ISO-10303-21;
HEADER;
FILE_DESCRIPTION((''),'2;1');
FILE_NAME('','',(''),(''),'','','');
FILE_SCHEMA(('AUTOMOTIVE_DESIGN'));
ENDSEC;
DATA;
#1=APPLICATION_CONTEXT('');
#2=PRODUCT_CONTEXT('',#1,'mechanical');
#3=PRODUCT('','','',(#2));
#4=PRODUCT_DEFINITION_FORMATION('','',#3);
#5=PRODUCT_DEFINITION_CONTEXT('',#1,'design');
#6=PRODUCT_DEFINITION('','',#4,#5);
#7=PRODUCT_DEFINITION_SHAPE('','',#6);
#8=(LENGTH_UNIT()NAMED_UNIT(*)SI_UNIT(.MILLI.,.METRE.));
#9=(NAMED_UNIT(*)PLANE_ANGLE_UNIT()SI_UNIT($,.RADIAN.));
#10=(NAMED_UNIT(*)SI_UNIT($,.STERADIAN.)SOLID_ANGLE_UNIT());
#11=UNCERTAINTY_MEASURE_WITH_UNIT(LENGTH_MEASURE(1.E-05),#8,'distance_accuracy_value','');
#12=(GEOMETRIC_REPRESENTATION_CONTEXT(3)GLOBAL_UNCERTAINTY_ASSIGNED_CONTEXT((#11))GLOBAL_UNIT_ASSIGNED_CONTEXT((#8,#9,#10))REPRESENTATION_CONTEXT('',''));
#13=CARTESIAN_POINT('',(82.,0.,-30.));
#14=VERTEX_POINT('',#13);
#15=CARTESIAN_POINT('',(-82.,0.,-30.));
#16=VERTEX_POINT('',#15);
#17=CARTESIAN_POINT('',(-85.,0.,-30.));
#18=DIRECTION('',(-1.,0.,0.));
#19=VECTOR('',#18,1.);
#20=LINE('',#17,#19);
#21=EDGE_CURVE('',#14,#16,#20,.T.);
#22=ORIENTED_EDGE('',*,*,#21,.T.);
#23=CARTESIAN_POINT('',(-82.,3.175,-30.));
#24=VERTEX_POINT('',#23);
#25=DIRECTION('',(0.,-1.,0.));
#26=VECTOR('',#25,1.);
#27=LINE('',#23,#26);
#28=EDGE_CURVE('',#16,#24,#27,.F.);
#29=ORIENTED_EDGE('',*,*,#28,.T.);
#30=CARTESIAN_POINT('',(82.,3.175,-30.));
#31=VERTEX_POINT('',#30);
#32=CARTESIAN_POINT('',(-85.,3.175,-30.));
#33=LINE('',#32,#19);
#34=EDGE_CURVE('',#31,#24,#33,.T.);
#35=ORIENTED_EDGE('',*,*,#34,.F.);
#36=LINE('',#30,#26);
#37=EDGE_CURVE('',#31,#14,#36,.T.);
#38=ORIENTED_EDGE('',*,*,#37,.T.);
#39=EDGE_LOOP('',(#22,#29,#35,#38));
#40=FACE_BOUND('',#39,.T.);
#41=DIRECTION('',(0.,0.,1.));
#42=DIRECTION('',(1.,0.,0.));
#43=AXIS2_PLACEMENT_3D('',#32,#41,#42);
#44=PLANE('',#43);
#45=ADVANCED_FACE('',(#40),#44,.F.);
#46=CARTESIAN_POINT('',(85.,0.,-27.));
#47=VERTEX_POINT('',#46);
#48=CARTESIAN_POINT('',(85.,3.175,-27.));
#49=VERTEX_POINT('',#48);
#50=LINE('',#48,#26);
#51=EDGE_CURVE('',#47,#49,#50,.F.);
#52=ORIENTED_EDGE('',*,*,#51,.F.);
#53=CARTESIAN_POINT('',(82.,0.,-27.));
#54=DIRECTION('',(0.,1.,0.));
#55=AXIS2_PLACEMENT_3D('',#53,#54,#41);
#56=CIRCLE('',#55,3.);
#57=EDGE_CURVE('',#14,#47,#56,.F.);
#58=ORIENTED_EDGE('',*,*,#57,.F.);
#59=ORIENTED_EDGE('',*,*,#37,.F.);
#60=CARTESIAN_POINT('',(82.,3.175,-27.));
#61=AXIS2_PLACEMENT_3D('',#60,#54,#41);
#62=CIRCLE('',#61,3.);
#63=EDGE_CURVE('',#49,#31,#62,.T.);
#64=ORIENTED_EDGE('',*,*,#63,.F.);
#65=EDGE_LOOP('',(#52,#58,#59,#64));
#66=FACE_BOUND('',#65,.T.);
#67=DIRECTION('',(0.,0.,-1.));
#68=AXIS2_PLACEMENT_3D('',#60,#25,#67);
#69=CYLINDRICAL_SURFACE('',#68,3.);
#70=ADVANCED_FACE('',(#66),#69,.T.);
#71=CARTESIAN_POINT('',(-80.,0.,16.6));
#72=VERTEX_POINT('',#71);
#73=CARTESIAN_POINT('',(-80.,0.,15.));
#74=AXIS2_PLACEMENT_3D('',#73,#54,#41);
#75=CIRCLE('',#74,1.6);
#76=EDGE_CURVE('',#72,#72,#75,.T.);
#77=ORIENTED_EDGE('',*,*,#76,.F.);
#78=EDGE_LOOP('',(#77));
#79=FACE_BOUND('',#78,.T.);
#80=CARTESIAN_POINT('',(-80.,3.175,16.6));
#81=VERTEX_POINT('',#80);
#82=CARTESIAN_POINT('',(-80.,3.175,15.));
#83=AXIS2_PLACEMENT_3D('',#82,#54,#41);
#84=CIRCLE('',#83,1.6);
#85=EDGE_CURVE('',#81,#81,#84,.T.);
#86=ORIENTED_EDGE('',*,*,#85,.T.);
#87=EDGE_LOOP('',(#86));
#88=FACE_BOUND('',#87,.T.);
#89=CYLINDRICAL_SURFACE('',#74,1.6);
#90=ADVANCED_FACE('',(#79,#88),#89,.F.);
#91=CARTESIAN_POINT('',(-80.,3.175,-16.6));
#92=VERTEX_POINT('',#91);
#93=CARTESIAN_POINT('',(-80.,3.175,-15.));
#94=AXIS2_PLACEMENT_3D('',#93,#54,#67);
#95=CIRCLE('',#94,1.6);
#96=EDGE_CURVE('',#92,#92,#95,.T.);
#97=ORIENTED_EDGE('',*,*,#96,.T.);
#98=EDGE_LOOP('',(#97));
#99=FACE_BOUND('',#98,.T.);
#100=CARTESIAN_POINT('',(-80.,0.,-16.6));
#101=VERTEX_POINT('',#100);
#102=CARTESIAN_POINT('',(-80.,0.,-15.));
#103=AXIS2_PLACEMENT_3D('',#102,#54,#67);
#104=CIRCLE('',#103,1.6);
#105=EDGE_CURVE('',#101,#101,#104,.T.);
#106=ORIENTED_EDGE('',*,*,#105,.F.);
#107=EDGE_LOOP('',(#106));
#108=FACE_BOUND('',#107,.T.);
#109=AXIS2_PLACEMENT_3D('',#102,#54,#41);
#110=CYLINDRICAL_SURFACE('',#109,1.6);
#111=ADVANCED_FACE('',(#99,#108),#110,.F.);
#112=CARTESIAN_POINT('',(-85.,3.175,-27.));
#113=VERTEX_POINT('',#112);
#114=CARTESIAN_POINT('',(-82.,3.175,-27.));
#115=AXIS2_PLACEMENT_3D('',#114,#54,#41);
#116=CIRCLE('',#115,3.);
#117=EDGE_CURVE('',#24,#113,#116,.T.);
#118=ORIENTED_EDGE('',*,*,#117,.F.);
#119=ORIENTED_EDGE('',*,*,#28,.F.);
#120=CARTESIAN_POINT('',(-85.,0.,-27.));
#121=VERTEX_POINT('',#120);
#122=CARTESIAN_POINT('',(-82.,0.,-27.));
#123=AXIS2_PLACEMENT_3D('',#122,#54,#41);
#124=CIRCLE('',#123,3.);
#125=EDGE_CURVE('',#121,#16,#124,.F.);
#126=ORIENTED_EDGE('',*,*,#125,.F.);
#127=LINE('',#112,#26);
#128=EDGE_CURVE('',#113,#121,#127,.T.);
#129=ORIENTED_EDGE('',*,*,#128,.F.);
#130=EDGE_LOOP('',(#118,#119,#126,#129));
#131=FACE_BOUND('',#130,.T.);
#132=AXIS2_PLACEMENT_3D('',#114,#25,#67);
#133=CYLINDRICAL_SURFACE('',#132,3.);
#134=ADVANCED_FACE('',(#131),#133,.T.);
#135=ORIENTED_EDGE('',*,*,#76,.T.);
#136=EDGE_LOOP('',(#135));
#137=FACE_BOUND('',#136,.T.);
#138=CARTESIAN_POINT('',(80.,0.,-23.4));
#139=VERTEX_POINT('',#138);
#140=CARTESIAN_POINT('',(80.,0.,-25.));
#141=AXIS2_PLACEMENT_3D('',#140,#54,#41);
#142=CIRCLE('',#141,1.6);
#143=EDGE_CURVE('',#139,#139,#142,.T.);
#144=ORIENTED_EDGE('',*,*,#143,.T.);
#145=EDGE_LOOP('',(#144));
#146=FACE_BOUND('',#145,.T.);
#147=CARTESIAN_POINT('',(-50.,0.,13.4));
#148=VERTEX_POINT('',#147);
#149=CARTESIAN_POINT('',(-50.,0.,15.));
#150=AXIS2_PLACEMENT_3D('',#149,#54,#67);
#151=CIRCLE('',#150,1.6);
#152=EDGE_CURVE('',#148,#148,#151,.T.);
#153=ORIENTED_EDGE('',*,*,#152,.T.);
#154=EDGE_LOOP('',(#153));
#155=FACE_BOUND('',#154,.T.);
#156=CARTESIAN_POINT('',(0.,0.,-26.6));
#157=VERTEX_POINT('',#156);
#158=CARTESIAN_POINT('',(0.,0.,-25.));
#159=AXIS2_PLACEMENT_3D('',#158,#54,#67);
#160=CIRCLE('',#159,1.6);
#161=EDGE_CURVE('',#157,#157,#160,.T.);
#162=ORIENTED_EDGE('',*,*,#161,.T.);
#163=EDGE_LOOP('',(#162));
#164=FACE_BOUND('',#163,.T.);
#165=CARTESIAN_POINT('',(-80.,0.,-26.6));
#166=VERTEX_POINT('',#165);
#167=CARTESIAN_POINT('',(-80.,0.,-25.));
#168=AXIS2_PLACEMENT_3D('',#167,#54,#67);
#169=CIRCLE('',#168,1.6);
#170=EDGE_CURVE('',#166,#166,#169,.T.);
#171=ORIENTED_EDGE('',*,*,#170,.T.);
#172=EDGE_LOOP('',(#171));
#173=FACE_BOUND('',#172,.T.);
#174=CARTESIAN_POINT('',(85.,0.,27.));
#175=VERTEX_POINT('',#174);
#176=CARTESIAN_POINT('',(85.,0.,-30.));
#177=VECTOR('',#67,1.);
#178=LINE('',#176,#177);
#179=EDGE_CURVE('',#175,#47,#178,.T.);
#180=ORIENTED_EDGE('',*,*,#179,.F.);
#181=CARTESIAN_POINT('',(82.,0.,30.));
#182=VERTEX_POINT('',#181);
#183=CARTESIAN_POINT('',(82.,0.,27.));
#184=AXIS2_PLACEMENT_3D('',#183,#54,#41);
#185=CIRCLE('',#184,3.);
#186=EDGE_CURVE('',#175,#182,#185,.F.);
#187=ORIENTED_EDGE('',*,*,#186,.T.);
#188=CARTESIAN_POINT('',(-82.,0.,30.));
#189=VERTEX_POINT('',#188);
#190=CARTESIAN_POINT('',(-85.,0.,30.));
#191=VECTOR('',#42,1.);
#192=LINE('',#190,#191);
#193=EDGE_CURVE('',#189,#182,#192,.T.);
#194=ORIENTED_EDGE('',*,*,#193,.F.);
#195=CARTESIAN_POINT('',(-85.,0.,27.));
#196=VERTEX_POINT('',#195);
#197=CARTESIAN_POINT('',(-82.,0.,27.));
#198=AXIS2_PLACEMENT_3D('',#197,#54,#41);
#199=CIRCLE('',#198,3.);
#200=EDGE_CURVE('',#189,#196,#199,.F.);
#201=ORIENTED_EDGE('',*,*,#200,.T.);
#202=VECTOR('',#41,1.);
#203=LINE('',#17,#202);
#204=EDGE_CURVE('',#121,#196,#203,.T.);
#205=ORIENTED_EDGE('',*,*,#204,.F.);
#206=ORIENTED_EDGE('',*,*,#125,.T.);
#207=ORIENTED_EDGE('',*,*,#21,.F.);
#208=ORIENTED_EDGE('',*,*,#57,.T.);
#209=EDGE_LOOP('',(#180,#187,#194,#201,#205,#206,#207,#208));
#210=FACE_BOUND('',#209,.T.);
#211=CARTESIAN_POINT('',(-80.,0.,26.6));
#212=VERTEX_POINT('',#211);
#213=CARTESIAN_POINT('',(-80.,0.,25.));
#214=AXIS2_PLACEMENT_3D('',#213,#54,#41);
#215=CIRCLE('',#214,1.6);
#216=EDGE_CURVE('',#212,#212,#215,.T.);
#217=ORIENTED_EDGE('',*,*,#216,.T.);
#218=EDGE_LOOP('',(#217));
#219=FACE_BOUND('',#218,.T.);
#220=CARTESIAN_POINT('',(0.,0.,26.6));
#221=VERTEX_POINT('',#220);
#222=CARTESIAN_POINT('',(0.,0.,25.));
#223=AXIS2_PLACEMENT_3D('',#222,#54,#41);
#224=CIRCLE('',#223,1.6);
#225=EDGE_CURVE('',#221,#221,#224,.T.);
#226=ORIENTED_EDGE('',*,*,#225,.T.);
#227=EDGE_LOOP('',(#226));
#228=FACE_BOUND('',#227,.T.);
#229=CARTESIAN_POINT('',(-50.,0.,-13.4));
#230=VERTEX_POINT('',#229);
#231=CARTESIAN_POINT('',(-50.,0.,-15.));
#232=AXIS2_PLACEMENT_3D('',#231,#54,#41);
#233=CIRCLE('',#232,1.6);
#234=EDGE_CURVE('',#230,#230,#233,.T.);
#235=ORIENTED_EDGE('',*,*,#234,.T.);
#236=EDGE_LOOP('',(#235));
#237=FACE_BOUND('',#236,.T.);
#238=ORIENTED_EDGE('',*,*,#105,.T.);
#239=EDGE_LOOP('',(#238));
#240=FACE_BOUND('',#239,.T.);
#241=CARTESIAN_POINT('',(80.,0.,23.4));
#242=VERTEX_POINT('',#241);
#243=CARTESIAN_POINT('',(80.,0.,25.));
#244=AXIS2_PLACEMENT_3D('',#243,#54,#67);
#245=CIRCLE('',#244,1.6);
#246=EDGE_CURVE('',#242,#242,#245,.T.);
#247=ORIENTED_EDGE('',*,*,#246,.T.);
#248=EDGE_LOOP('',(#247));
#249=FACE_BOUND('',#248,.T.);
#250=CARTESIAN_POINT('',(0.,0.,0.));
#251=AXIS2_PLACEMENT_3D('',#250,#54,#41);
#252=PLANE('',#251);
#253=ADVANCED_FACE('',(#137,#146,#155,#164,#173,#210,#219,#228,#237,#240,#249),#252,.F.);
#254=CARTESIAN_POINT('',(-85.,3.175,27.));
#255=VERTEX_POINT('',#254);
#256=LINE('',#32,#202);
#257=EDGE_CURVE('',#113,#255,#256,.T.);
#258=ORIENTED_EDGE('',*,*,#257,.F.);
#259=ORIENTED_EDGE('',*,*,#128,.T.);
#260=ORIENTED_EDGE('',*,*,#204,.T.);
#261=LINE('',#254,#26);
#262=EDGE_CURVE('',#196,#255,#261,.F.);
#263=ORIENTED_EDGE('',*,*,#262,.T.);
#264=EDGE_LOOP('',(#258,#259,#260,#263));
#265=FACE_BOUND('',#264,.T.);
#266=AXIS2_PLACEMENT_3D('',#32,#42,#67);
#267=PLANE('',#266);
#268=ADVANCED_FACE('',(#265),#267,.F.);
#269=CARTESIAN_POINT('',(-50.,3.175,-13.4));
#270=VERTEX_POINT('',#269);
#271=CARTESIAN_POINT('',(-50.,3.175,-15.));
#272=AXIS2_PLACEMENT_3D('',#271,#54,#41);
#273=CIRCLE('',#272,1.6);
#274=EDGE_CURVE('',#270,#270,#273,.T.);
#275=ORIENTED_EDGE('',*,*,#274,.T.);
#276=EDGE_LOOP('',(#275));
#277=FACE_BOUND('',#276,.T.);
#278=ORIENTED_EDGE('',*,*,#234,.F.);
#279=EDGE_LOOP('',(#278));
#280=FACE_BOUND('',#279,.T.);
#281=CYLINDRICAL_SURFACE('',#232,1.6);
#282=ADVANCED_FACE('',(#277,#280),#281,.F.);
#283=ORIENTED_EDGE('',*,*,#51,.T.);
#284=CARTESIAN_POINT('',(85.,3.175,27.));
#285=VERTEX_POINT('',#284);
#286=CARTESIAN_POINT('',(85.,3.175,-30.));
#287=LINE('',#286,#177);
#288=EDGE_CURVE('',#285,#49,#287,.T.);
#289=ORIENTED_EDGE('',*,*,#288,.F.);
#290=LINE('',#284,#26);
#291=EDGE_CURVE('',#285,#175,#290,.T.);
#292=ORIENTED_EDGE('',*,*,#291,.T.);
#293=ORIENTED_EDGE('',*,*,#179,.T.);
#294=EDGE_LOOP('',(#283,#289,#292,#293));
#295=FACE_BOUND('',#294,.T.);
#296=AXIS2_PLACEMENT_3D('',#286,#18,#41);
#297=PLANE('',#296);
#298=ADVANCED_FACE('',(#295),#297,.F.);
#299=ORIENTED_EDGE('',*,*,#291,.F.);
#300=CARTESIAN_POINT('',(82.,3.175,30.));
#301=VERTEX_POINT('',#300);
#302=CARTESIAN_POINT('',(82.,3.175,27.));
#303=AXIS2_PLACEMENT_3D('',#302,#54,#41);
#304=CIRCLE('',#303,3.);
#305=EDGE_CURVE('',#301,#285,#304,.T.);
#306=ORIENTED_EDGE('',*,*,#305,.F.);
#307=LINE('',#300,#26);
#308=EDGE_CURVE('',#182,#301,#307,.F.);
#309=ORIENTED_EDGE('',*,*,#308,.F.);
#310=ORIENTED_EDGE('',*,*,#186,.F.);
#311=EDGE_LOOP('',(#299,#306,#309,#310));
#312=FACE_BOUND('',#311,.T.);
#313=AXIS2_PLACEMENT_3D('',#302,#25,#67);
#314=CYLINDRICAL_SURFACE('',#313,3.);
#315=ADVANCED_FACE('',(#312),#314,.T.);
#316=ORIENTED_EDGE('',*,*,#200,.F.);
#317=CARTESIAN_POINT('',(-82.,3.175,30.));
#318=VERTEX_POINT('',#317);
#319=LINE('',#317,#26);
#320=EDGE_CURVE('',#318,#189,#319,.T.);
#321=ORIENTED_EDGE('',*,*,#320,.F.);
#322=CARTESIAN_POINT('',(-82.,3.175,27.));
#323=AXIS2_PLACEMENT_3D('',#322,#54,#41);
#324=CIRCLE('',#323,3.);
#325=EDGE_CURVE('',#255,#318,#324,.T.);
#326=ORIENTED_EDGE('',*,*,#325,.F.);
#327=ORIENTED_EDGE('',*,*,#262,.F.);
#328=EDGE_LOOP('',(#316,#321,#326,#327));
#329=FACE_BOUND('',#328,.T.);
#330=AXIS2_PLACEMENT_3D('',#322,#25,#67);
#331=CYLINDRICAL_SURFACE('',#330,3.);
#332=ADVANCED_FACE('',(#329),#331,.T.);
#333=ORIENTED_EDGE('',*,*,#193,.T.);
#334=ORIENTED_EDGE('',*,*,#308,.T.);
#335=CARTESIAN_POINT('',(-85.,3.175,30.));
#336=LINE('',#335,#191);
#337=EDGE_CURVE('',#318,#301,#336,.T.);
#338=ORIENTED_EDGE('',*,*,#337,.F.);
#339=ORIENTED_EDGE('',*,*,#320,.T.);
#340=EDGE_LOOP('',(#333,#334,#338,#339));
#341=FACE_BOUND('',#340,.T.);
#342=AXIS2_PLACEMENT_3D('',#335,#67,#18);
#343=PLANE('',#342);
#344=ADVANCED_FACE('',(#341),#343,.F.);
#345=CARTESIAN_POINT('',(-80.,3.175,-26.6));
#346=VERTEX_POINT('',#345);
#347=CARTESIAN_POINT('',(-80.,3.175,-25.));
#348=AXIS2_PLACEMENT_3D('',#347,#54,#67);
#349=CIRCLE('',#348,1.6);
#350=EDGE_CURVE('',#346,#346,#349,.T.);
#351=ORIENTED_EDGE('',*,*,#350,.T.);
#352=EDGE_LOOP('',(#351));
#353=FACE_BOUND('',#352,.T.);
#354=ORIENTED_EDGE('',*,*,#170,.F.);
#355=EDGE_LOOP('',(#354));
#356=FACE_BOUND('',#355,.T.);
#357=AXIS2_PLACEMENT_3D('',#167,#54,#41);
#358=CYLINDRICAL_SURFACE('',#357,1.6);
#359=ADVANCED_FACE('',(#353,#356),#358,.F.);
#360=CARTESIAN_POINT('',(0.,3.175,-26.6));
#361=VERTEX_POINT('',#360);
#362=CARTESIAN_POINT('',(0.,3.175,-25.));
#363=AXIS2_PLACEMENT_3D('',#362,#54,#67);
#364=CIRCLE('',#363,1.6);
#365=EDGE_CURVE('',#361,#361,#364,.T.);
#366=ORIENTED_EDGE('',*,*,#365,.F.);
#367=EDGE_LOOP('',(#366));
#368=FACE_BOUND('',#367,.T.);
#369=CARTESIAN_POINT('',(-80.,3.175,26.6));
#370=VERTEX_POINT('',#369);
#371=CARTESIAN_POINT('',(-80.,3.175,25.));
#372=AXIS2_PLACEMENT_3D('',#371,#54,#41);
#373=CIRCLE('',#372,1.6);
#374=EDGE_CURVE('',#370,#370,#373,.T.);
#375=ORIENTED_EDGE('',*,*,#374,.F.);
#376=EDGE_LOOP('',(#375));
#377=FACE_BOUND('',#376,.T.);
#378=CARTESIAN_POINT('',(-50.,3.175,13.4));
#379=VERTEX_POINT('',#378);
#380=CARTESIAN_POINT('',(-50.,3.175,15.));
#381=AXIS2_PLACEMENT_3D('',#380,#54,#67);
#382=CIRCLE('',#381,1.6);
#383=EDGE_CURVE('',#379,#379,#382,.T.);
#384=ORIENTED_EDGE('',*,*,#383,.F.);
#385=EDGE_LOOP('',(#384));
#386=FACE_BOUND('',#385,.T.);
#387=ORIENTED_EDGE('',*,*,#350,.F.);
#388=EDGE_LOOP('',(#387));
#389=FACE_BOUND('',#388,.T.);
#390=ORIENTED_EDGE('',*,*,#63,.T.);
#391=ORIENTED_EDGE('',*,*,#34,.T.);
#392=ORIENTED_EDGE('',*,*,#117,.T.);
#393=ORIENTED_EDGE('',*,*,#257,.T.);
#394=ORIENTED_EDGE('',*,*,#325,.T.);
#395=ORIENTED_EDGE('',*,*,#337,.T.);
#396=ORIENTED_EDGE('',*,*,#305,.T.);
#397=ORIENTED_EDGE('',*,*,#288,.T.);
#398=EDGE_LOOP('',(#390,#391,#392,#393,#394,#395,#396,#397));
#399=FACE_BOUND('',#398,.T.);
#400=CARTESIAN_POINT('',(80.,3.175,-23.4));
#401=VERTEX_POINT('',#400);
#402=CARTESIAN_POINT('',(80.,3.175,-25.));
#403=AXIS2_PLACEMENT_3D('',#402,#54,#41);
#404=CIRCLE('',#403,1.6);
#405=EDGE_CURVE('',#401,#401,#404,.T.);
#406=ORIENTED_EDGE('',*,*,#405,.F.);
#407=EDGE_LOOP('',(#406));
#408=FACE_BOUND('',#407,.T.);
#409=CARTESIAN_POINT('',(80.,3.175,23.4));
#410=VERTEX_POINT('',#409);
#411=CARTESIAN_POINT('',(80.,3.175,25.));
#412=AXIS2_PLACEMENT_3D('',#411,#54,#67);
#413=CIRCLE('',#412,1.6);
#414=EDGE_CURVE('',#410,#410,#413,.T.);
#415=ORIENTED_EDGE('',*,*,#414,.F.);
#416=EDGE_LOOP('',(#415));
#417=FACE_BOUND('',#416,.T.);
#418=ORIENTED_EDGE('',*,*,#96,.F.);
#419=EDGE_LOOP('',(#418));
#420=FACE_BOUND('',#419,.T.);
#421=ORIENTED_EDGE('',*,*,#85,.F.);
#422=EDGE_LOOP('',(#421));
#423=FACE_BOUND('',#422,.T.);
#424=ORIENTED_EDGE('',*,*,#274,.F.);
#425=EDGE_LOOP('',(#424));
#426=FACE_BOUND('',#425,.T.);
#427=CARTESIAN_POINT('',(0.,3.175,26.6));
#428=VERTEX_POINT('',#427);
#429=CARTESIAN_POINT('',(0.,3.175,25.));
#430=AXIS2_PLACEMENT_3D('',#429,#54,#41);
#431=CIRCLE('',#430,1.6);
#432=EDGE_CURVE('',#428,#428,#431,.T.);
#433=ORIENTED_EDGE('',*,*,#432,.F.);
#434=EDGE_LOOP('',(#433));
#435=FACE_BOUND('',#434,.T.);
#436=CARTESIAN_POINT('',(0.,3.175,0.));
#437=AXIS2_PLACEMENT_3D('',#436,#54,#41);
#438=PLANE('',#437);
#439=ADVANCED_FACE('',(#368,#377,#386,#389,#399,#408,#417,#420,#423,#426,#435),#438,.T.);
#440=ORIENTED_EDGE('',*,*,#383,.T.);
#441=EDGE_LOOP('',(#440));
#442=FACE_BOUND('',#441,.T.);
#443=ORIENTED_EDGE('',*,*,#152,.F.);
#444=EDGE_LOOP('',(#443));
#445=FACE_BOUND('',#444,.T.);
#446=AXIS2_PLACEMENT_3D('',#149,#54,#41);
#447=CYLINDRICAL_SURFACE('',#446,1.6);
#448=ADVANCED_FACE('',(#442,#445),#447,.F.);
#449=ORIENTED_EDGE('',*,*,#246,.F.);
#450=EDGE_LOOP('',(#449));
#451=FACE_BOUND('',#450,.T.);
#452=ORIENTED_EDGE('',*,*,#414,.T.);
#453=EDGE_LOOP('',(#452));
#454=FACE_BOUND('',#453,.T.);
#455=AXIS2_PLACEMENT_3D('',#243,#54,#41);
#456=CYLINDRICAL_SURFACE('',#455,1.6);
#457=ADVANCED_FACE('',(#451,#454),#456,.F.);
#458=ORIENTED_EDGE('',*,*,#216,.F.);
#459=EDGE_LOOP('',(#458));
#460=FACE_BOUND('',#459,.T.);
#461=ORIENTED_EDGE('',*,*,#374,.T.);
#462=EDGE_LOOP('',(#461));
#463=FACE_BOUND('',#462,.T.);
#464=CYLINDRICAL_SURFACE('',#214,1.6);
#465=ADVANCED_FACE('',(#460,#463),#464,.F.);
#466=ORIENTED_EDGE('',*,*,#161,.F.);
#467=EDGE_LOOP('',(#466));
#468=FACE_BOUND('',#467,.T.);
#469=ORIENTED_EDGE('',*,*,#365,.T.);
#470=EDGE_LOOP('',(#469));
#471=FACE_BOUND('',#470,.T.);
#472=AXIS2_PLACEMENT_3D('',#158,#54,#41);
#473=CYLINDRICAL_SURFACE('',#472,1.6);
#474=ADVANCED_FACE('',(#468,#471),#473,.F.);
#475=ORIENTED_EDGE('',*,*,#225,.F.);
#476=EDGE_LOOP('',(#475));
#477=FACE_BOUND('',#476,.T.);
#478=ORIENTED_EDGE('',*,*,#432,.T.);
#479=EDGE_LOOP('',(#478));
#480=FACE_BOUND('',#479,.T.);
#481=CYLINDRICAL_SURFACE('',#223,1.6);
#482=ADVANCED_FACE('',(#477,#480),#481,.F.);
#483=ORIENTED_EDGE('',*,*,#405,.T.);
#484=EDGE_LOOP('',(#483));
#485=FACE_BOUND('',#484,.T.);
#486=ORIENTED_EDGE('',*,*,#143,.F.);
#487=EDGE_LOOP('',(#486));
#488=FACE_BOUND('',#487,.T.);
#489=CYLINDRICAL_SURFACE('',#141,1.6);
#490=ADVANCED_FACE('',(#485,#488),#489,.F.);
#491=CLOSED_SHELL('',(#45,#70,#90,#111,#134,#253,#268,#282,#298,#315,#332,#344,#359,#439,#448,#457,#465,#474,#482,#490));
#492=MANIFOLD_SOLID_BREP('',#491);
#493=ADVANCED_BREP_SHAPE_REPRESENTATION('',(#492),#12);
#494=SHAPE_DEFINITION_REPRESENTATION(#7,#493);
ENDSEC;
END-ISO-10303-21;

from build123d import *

# Parameters (mm, degrees)
SKETCH1_W           = 170
SKETCH1_H           = 60
BOSS_EXTRUDE1_DEPTH = 3.175
SKETCH2_R           = 1.6
CUT_EXTRUDE1_DEPTH  = 91.1946818
SKETCH3_R           = 1.6
CUT_EXTRUDE2_DEPTH  = 91.1946818
FILLET1_R           = 3


with BuildPart() as part:
    # Sketch1 → Boss-Extrude1 (new body)
    with BuildSketch(Plane(origin=(0, 0, 0), x_dir=(1, 0, 0), z_dir=(0, 1, 0))):
        Rectangle(SKETCH1_W, SKETCH1_H)
    extrude(amount=BOSS_EXTRUDE1_DEPTH)

    # Sketch2 → Cut-Extrude1 (cut, through all)
    with BuildSketch(Plane(origin=(0, 3.175, 0), x_dir=(1, 0, 0), z_dir=(0, 1, 0))):
        with Locations(Location((-80, -25, 0), (0, 0, 270))):
            Circle(SKETCH2_R)
        with Locations(Location((-80, 25, 0), (0, 0, 90))):
            Circle(SKETCH2_R)
        with Locations(Location((80, 25, 0), (0, 0, 270))):
            Circle(SKETCH2_R)
        with Locations(Location((80, -25, 0), (0, 0, 90))):
            Circle(SKETCH2_R)
        with Locations(Location((0, -25, 0), (0, 0, 270))):
            Circle(SKETCH2_R)
        with Locations(Location((0, 25, 0), (0, 0, 90))):
            Circle(SKETCH2_R)
    extrude(amount=-CUT_EXTRUDE1_DEPTH, mode=Mode.SUBTRACT)

    # Sketch3 → Cut-Extrude2 (cut, through all)
    with BuildSketch(Plane(origin=(0, 3.175, 0), x_dir=(1, 0, 0), z_dir=(0, 1, 0))):
        with Locations(Location((-80, -15, 0), (0, 0, 270))):
            Circle(SKETCH3_R)
        with Locations(Location((-80, 15, 0), (0, 0, 90))):
            Circle(SKETCH3_R)
        with Locations(Location((-50, 15, 0), (0, 0, 270))):
            Circle(SKETCH3_R)
        with Locations(Location((-50, -15, 0), (0, 0, 90))):
            Circle(SKETCH3_R)
    extrude(amount=-CUT_EXTRUDE2_DEPTH, mode=Mode.SUBTRACT)

    # Fillet1
    fillet1_edges = [part.edges().sort_by_distance(p)[0] for p in [
        (85, 1.5875, 30),
        (-85, 1.5875, 30),
        (-85, 1.5875, -30),
        (85, 1.5875, -30),
    ]]
    fillet(fillet1_edges, radius=FILLET1_R)


solid = part.part
